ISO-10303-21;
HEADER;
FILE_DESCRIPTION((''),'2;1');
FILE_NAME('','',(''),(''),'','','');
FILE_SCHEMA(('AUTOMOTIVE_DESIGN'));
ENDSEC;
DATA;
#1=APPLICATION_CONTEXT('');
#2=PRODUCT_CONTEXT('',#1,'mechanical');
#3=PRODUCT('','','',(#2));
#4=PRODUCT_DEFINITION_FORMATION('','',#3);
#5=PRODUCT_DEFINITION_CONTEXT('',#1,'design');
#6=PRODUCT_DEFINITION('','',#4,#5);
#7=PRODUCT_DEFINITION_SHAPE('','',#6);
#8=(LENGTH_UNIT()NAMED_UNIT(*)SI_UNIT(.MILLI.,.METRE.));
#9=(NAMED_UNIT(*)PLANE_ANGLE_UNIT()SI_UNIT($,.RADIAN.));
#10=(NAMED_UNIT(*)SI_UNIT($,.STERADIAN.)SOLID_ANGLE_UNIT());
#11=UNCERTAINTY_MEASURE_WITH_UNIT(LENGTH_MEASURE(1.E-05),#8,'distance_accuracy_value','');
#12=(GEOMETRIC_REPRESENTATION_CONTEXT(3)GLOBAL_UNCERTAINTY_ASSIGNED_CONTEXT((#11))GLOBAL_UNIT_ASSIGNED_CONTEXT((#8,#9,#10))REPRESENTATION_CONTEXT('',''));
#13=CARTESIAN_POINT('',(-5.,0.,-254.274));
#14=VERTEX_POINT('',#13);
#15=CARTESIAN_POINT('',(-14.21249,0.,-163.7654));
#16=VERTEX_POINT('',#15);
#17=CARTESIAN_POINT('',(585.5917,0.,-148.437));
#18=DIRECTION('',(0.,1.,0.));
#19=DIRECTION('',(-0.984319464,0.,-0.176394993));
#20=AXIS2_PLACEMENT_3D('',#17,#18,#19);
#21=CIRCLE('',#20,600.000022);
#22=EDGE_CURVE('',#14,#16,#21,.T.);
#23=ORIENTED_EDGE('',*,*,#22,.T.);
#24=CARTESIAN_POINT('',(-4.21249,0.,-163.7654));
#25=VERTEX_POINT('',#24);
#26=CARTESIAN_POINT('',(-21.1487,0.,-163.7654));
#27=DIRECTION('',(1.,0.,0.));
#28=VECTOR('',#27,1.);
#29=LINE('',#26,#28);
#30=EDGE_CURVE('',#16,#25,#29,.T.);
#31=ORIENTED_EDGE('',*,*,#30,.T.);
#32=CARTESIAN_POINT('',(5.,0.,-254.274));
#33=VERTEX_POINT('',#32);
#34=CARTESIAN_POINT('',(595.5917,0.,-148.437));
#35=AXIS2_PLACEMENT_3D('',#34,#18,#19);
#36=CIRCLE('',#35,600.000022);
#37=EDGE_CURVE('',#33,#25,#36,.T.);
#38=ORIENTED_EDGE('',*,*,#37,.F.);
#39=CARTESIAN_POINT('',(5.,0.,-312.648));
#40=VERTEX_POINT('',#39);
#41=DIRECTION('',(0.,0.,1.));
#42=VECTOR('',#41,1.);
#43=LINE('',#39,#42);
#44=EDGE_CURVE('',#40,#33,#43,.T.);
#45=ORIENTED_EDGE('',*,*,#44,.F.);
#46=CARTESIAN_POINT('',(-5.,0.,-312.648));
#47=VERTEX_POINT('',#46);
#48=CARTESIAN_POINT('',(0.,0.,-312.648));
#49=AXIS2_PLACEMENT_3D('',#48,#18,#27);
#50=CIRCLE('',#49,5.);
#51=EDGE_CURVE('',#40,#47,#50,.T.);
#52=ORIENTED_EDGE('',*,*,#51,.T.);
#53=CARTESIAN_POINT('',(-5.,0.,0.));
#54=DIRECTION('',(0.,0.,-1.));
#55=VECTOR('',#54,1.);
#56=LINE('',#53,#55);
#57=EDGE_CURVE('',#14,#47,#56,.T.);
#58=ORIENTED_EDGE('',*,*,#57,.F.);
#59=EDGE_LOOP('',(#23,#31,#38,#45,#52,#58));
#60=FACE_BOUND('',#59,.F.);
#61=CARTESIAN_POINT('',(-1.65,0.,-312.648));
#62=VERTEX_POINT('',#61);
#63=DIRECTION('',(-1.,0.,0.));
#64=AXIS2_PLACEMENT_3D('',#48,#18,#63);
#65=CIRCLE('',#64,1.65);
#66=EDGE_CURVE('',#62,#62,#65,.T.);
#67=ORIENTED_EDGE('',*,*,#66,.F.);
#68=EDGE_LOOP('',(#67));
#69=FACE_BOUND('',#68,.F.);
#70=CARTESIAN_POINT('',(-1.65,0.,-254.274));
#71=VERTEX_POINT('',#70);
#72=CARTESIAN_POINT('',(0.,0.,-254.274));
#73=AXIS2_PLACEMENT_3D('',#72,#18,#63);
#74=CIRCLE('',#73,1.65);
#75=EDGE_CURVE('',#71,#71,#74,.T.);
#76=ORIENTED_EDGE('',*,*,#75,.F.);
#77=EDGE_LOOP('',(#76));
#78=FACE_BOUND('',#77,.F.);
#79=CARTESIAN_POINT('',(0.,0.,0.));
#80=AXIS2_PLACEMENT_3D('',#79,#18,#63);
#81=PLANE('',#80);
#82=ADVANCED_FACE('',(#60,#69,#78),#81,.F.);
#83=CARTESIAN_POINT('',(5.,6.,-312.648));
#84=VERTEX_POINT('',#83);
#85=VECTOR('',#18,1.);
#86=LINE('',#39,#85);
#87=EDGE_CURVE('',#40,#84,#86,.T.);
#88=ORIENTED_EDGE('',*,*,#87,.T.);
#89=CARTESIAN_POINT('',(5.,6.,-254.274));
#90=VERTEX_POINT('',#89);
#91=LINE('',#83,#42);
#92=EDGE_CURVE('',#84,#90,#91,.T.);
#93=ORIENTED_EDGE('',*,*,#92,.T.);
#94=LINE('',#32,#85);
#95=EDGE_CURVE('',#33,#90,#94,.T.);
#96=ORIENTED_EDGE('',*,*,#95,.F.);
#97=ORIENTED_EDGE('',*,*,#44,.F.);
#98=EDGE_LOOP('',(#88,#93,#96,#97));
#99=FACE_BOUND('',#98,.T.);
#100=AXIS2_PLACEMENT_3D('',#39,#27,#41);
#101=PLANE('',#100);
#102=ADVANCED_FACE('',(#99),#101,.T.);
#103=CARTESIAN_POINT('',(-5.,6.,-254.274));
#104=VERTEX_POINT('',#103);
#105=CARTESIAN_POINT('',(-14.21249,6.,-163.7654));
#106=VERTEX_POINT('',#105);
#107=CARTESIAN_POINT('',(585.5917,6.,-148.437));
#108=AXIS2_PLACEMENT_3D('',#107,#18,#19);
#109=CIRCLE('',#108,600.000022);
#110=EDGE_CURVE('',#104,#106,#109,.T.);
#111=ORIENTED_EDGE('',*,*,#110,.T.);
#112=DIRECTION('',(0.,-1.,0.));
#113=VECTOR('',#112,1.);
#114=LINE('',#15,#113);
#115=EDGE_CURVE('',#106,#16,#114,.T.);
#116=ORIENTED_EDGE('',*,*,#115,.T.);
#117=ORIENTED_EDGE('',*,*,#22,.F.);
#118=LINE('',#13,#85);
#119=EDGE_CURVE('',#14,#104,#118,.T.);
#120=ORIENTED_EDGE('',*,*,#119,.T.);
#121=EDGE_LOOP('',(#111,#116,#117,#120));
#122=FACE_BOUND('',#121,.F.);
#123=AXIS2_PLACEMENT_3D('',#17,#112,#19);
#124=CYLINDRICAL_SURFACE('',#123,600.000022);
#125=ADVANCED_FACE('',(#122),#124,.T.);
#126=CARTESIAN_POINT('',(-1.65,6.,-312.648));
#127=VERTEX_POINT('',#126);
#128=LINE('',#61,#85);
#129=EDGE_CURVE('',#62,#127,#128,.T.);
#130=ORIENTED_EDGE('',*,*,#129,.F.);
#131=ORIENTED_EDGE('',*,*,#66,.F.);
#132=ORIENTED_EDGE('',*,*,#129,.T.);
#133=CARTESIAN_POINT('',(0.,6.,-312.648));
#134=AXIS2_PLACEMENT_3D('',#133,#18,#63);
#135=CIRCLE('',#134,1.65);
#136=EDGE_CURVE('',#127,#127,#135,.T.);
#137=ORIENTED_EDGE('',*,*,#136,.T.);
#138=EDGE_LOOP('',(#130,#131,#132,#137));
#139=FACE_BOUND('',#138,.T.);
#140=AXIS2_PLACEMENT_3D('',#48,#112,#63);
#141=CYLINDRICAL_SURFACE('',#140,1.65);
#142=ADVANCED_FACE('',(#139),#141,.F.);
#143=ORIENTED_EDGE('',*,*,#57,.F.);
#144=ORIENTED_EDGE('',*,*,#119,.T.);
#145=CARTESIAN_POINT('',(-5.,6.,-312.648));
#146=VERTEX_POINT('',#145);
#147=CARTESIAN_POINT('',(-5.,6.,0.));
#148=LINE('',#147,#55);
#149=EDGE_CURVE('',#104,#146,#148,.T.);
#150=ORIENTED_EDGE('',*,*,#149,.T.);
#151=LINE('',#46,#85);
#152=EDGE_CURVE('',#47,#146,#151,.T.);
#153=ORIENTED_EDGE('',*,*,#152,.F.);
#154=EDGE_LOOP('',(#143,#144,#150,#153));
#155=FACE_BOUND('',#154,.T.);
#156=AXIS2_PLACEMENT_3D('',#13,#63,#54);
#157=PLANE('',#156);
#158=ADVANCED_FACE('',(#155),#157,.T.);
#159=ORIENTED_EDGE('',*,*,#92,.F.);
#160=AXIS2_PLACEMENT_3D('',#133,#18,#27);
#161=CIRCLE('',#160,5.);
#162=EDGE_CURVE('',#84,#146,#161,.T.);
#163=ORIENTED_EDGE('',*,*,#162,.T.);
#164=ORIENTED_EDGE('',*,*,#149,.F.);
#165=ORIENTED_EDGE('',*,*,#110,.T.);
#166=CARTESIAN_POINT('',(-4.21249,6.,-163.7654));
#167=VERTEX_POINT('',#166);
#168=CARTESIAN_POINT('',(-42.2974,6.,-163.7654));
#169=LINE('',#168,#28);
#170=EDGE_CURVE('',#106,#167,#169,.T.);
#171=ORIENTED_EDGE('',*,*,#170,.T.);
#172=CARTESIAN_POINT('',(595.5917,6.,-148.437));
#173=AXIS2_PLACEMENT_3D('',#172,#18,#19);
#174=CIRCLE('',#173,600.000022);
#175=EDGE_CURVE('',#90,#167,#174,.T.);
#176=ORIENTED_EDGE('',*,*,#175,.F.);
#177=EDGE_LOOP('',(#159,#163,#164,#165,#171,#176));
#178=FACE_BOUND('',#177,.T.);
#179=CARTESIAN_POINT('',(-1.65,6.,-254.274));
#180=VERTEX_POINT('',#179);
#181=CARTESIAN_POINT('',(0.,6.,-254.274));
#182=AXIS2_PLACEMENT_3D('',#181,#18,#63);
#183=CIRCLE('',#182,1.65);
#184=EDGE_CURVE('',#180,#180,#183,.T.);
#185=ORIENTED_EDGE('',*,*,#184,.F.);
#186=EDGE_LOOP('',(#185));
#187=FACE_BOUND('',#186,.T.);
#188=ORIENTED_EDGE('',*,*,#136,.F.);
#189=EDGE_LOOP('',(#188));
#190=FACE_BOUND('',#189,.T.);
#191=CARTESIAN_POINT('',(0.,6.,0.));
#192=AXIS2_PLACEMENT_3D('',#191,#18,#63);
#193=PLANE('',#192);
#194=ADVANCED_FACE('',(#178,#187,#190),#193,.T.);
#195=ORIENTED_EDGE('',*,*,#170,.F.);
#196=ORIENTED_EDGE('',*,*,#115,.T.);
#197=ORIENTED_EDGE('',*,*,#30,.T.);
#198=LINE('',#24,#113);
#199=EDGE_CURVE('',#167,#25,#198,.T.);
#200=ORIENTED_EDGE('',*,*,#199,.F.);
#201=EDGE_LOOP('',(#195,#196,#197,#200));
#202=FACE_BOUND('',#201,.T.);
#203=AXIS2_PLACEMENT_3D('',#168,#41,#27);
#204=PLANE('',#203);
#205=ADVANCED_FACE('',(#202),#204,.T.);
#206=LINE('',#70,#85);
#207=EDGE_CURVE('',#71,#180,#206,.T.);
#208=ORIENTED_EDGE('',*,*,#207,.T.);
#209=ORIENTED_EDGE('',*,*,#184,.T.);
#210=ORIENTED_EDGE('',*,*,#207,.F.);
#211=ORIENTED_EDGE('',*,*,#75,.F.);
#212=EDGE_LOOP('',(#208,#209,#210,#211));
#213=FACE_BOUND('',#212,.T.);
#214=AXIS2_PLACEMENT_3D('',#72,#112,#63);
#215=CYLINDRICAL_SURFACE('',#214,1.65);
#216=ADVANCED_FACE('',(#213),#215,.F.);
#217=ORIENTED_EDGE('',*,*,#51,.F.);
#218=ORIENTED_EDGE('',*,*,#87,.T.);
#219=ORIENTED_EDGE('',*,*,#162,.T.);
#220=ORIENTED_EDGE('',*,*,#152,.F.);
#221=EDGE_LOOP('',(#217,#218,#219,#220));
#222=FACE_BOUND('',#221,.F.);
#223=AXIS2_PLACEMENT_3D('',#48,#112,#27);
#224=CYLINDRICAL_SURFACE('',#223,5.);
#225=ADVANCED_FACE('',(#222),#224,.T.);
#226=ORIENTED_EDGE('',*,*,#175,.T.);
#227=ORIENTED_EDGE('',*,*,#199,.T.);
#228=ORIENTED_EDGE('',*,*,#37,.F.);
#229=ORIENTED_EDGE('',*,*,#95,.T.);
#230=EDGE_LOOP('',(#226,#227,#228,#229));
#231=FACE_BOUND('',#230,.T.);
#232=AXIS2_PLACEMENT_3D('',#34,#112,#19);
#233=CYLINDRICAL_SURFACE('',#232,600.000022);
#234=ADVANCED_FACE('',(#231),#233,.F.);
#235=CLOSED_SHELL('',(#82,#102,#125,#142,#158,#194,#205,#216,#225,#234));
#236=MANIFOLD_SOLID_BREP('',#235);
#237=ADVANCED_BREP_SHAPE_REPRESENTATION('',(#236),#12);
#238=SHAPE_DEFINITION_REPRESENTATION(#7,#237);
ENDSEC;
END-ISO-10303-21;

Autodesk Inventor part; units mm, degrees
ref_plane "YZ Plane" through (0, 0, 0) normal (1, 0, 0) x (0, 1, 0)
ref_plane "XZ Plane" through (0, 0, 0) normal (0, 1, 0) x (-1, 0, 0)
ref_plane "XY Plane" through (0, 0, 0) normal (0, 0, 1) x (1, 0, 0)
sketch "Sketch1" plane through (0, 0, 0) normal (0, 1, 0) x (-1, 0, 0)
  line L0 (0, 0) -> (0, -312.648) construction
  line L1 (5, 0) -> (5, -312.648)
  line L2 (-5, -312.648) -> (-5, 0)
  arc A0 (5, 0) -> (-5, 0) centre (0, 0) ccw
  arc A1 (-5, -312.648) -> (5, -312.648) centre (0, -312.648) ccw
  circle A2 centre (0, 0) radius 1.65
  circle A3 centre (0, -312.648) radius 1.65
  circle A4 centre (0, -42.6) radius 1.65
  circle A5 centre (0, -254.274) radius 1.65
  arc A6 (5, -254.274) -> (5, -42.6) centre (-585.5917, -148.437) ccw
  arc A7 (-5, -254.274) -> (-5, -42.6) centre (-595.5917, -148.437) ccw
  circle A8 centre (7.5096, -100) radius 1.65
  point P0 (0, -156.324)
  dimension "d0" = 3.3
  dimension "d1" = 3.3
  dimension "d2" = 10
  dimension "d3" = 312.648
  dimension "d10" = 3.3
  dimension "d11" = 42.6
  dimension "d12" = 3.3
  dimension "d13" = 254.274
  dimension "d16" = 600
  dimension "d17" = 600
  dimension "d18" = 3.3
  dimension "d19" = 100
extrude "Extrusion1" add sketch "Sketch1" along normal blind 6 contours L1 A1 L2 A7 A0 | A6 L1
sketch "Sketch2" plane through (0, 6, 0) normal (0, 1, 0) x (1, 0, 0)
  line L0 (-42.2974, 163.7654) -> (39.2104, 163.7654)
  line L1 (39.2104, 163.7654) -> (39.2104, -15.6831)
  line L2 (39.2104, -15.6831) -> (-42.2974, -15.6831)
  line L3 (-42.2974, -15.6831) -> (-42.2974, 163.7654)
  line L4 (-108.6868, 337.298) -> (118.0888, 337.298)
  line L5 (118.0888, 337.298) -> (118.0888, -100.4775)
  line L6 (118.0888, -100.4775) -> (-108.6868, -100.4775)
  line L7 (-108.6868, -100.4775) -> (-108.6868, 337.298)
  point P0 (0, 0)
extrude "Extrusion2" cut sketch "Sketch2" against normal blind 10 contours L0 L1 L2 L3
properties part number "Part_16_p2"
